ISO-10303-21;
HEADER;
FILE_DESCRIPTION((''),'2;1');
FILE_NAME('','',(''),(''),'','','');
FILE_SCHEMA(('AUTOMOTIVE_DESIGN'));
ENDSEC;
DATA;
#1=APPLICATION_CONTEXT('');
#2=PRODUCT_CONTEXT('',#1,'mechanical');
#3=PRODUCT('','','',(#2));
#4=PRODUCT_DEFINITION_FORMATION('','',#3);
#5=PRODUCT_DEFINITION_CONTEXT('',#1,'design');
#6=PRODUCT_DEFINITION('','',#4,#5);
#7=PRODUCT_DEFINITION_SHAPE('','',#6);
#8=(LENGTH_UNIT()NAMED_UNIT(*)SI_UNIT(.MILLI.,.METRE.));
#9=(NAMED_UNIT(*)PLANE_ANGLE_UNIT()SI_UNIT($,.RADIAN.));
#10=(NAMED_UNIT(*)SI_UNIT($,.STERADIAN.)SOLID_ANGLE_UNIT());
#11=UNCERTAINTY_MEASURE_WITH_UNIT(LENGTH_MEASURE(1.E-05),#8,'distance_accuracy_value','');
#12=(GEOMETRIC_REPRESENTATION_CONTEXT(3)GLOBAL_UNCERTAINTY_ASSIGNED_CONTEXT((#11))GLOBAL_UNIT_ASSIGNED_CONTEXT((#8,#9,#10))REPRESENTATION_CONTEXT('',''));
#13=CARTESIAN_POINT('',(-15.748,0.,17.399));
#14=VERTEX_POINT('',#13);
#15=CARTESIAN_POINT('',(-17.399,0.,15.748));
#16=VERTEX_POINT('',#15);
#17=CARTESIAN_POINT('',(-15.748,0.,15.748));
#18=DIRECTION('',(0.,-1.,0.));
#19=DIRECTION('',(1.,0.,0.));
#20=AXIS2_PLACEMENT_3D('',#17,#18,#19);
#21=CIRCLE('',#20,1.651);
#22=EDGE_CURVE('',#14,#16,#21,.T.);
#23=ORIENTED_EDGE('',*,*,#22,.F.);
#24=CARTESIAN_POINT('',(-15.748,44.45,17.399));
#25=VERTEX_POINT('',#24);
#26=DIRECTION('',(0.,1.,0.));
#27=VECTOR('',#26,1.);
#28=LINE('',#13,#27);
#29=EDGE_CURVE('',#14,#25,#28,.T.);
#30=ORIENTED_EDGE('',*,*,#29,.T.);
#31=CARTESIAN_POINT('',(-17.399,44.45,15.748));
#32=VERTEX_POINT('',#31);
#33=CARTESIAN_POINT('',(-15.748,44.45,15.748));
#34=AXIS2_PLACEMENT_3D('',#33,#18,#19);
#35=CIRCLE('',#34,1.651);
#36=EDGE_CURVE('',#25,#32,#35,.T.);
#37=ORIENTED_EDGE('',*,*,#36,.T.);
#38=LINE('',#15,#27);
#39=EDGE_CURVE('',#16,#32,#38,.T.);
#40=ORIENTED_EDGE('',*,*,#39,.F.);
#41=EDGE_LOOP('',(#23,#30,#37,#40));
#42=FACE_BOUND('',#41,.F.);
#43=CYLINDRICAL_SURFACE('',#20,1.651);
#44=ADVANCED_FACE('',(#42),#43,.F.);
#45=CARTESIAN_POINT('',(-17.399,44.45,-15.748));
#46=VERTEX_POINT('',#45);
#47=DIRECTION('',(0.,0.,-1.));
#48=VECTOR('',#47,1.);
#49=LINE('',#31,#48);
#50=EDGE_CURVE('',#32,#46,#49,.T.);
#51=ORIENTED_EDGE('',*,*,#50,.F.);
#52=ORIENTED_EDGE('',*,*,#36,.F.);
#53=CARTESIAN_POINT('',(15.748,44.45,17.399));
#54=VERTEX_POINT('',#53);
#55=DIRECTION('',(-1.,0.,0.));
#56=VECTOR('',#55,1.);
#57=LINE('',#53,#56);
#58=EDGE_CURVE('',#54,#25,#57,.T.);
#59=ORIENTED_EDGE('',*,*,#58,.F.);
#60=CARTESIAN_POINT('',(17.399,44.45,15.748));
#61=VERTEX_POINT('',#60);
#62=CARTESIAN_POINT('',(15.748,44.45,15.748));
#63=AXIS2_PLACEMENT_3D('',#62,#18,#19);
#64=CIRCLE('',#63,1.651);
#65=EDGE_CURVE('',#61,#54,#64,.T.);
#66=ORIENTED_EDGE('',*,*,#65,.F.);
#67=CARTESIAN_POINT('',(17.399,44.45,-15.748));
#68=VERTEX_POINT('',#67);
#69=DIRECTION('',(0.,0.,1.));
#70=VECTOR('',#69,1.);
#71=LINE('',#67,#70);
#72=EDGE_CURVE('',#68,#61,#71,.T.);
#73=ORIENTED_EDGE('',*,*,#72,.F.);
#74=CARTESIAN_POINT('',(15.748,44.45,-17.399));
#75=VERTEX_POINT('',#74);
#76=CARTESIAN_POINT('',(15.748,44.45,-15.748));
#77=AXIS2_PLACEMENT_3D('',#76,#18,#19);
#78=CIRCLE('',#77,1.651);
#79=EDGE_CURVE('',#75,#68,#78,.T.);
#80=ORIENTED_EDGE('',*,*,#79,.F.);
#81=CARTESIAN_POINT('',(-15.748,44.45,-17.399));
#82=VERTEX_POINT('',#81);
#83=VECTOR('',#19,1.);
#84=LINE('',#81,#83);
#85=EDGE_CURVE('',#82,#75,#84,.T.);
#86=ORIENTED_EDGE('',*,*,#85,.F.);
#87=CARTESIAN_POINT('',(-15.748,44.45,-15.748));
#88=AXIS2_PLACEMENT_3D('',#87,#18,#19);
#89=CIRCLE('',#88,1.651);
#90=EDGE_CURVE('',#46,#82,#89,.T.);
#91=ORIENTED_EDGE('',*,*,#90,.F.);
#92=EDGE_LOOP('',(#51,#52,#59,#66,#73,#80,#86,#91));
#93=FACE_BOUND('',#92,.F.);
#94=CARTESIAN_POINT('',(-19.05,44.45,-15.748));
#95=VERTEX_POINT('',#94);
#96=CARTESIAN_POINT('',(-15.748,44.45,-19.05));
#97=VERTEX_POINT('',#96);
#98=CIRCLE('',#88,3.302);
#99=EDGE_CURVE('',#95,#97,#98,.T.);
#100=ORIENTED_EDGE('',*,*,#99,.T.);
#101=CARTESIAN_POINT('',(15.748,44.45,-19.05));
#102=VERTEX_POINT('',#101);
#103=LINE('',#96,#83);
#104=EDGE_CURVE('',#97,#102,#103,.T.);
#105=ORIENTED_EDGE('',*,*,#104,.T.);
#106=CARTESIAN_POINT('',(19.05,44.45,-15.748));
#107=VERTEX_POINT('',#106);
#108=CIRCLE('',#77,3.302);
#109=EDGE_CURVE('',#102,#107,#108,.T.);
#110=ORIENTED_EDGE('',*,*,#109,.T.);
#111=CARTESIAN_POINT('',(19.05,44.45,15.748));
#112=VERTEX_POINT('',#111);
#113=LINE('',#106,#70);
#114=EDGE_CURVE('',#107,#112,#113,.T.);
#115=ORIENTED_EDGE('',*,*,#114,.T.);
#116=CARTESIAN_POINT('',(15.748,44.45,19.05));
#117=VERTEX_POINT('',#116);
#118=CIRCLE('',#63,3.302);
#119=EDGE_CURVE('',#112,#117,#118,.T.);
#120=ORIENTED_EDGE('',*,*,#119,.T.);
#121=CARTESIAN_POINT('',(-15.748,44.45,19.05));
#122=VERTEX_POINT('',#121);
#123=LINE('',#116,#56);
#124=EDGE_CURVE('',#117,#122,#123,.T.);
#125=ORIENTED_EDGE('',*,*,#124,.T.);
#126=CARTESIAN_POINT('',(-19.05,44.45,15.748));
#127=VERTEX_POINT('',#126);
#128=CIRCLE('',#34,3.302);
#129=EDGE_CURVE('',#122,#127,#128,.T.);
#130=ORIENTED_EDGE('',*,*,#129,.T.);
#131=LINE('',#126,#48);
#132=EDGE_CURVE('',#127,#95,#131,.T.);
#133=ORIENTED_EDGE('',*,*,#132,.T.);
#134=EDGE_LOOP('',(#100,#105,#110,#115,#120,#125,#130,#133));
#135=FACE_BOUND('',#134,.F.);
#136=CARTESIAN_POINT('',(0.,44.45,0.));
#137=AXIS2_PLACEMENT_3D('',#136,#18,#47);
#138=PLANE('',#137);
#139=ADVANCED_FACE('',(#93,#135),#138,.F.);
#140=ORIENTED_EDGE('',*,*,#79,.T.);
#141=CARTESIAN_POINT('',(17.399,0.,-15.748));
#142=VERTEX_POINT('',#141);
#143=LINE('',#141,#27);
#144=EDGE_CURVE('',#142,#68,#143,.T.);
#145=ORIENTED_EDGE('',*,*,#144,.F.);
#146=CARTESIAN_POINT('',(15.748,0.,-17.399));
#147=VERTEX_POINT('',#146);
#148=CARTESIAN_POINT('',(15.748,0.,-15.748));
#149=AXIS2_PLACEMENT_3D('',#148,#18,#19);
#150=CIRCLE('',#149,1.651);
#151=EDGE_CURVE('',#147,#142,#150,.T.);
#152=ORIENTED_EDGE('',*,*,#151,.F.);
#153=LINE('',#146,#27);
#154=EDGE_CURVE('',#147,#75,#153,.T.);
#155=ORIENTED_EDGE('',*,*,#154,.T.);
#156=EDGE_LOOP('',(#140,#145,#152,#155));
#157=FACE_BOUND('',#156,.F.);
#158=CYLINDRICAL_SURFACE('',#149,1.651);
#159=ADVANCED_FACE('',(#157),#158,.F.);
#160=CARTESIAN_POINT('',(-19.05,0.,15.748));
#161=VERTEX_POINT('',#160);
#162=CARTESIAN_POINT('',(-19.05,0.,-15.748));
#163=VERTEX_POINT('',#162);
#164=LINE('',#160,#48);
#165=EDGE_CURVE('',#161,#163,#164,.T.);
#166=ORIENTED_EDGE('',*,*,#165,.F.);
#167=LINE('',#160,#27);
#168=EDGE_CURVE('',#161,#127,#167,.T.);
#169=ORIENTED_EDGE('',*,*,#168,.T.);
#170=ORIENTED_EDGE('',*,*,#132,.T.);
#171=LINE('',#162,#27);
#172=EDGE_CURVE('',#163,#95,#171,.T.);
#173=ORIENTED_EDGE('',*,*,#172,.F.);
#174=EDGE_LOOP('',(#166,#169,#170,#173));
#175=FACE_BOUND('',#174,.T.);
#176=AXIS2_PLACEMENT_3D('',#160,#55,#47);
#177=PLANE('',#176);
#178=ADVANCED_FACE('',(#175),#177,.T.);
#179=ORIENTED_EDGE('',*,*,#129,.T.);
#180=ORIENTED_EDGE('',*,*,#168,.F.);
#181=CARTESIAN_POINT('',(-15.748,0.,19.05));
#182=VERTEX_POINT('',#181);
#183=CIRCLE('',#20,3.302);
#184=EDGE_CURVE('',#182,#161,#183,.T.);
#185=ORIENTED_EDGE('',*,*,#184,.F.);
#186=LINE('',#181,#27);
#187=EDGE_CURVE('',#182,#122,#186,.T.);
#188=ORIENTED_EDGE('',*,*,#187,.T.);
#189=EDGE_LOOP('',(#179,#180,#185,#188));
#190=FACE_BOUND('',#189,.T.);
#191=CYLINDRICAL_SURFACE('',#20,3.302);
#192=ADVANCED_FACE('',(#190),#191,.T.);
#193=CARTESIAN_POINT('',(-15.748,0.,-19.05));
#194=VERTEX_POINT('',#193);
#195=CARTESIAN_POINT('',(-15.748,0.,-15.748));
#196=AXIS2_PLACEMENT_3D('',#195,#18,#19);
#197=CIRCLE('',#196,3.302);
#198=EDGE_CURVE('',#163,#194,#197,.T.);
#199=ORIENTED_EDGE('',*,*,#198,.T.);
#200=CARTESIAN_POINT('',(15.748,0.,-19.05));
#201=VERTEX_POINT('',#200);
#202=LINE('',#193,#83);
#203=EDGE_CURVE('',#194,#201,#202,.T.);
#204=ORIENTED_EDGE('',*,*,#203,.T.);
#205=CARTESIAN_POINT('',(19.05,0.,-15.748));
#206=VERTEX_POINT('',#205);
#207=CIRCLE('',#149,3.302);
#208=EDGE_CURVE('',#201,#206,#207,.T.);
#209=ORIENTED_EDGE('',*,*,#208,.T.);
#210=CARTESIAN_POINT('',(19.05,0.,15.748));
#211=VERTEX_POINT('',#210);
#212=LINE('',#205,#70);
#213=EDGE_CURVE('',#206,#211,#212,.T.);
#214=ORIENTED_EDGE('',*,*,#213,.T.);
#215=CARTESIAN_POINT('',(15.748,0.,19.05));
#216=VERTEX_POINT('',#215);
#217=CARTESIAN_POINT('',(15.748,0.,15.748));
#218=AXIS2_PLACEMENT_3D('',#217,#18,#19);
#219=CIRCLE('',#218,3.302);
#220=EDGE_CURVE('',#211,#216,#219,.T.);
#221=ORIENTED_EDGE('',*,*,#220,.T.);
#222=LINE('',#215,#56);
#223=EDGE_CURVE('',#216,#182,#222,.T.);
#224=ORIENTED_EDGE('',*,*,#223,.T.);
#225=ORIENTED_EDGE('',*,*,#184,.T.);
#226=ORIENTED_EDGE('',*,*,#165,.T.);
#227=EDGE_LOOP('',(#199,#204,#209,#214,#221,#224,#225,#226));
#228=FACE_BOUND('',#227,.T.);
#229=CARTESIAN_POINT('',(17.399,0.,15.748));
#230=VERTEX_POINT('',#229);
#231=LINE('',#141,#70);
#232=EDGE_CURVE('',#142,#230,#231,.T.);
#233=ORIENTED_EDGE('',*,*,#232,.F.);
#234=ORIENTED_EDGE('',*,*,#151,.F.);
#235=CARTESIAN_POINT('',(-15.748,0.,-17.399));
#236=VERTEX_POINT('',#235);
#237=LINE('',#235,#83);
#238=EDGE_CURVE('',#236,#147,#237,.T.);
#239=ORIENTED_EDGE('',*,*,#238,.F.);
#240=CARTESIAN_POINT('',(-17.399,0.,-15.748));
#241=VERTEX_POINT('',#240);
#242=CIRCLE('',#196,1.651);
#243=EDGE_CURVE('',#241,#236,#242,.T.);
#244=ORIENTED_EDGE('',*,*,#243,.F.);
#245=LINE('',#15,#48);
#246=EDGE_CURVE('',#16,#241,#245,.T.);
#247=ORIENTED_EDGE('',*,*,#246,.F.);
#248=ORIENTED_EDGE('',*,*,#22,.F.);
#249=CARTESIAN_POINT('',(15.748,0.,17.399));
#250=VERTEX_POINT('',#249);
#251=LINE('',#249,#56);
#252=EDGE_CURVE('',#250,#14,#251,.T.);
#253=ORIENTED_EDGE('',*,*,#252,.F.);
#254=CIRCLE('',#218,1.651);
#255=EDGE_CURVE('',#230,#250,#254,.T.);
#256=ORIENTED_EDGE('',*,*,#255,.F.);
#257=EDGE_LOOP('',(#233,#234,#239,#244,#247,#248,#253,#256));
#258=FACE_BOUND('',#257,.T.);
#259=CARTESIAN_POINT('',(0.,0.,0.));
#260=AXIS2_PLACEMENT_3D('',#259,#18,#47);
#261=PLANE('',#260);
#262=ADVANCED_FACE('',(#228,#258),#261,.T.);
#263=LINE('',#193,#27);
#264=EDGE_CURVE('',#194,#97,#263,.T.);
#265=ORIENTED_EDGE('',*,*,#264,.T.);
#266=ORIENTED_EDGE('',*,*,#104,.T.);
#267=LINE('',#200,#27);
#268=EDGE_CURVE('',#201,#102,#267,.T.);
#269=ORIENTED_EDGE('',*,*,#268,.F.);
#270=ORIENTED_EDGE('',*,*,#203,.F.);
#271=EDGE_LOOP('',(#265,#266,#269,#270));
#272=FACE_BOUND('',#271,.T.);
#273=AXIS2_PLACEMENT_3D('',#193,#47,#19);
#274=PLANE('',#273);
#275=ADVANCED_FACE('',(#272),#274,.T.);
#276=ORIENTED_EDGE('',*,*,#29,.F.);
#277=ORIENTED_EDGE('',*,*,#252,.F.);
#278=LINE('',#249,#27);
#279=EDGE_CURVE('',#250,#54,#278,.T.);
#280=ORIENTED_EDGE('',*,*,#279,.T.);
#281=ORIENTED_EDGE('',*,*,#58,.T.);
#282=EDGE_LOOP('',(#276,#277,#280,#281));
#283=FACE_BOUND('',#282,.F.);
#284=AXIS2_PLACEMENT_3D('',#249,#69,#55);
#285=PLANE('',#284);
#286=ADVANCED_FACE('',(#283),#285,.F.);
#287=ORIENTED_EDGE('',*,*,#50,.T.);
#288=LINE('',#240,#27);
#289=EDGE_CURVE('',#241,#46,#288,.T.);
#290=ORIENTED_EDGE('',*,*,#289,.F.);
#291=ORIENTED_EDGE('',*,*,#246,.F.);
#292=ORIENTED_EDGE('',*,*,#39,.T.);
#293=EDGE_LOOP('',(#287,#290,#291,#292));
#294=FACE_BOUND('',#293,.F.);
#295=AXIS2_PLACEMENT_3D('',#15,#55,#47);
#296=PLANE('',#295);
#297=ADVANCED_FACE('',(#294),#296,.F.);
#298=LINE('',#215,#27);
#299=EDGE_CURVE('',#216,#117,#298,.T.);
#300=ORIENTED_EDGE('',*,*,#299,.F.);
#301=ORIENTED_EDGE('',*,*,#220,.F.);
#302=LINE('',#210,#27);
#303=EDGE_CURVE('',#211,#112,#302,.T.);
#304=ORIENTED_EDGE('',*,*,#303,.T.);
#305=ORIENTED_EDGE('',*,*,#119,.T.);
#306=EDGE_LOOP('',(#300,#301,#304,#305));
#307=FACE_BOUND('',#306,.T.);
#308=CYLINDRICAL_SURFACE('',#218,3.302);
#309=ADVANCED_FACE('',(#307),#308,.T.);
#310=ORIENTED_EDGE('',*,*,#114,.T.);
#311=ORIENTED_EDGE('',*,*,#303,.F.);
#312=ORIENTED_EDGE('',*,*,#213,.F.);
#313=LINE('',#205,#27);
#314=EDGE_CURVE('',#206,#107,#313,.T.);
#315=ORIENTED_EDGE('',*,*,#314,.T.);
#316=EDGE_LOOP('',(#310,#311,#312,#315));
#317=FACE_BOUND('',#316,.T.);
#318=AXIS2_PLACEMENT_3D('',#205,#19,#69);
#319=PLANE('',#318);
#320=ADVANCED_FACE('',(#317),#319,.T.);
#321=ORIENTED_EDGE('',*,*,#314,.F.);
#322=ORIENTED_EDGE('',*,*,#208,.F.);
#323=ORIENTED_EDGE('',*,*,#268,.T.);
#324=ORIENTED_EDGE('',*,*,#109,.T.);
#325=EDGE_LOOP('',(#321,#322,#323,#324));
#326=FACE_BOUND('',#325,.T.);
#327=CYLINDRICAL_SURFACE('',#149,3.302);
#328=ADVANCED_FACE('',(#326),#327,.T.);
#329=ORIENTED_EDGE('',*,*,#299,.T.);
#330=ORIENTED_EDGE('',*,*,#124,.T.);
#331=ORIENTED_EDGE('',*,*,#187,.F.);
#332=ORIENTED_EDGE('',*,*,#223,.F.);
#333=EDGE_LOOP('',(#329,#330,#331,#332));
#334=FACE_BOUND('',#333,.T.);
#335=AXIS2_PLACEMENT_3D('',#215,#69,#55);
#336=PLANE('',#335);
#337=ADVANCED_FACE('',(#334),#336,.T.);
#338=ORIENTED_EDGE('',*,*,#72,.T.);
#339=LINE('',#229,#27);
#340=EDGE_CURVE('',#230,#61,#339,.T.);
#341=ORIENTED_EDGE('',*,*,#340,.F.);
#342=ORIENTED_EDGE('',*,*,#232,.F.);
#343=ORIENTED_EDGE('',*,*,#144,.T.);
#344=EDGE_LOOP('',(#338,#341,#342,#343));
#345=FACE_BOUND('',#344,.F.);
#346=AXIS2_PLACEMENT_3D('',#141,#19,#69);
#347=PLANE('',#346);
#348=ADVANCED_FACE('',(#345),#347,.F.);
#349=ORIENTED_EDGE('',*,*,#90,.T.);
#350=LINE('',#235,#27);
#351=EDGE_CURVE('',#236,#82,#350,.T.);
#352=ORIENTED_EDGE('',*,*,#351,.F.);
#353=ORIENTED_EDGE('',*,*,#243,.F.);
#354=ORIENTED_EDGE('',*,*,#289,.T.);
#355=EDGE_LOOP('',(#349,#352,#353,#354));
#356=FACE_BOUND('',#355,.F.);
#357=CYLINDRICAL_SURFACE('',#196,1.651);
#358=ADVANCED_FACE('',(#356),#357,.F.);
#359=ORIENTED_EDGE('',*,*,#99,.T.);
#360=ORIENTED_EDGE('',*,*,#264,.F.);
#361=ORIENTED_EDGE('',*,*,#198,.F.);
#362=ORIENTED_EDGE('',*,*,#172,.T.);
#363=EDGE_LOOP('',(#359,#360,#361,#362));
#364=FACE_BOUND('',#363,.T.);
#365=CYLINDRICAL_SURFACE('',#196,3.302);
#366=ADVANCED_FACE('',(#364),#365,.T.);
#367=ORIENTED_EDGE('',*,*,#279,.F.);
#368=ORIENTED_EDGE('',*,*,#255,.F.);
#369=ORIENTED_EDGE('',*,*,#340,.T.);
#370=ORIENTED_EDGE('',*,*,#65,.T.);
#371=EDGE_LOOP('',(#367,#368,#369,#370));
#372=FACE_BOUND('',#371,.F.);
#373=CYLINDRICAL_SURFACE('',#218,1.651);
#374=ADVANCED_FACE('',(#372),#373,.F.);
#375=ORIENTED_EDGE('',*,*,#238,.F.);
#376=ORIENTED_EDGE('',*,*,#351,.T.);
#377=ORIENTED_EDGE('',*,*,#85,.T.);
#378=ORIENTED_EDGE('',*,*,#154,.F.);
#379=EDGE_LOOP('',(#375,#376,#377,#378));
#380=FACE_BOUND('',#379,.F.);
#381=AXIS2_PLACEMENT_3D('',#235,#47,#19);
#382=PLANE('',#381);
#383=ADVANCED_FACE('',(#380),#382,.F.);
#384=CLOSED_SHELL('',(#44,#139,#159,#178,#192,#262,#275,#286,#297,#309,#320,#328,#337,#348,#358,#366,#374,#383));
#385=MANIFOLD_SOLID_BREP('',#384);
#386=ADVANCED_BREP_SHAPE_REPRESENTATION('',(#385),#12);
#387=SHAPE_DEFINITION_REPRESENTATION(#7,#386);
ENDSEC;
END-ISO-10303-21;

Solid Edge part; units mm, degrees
sketch "Sketch1" plane through (0, 0, 0) normal (0, -1, 0) x (1, 0, 0)
  line L0 (-17.399, 15.748) -> (-17.399, -15.748)
  arc A0 (-17.399, -15.748) -> (-15.748, -17.399) centre (-15.748, -15.748) ccw
  line L1 (-15.748, -17.399) -> (15.748, -17.399)
  arc A1 (15.748, -17.399) -> (17.399, -15.748) centre (15.748, -15.748) ccw
  line L2 (17.399, -15.748) -> (17.399, 15.748)
  arc A2 (17.399, 15.748) -> (15.748, 17.399) centre (15.748, 15.748) ccw
  line L3 (15.748, 17.399) -> (-15.748, 17.399)
  arc A3 (-15.748, 17.399) -> (-17.399, 15.748) centre (-15.748, 15.748) ccw
  arc A4 (-19.05, -15.748) -> (-15.748, -19.05) centre (-15.748, -15.748) ccw
  line L4 (-15.748, -19.05) -> (15.748, -19.05)
  arc A5 (15.748, -19.05) -> (19.05, -15.748) centre (15.748, -15.748) ccw
  line L5 (19.05, -15.748) -> (19.05, 15.748)
  arc A6 (19.05, 15.748) -> (15.748, 19.05) centre (15.748, 15.748) ccw
  line L6 (15.748, 19.05) -> (-15.748, 19.05)
  arc A7 (-15.748, 19.05) -> (-19.05, 15.748) centre (-15.748, 15.748) ccw
  line L7 (-19.05, 15.748) -> (-19.05, -15.748)
  dimension "D1" = 3.302
  dimension "D2" = 1.651
  dimension "D3" = 38.1
  dimension "D4" = 38.1
  dimension "D5" = 1.651
  dimension "D6" = 1.651
  dimension "D7" = 1.651
  dimension "D8" = 1.651
extrude "Protrusion1" add sketch "Sketch1" against normal blind 44.45
properties material "Steel"
